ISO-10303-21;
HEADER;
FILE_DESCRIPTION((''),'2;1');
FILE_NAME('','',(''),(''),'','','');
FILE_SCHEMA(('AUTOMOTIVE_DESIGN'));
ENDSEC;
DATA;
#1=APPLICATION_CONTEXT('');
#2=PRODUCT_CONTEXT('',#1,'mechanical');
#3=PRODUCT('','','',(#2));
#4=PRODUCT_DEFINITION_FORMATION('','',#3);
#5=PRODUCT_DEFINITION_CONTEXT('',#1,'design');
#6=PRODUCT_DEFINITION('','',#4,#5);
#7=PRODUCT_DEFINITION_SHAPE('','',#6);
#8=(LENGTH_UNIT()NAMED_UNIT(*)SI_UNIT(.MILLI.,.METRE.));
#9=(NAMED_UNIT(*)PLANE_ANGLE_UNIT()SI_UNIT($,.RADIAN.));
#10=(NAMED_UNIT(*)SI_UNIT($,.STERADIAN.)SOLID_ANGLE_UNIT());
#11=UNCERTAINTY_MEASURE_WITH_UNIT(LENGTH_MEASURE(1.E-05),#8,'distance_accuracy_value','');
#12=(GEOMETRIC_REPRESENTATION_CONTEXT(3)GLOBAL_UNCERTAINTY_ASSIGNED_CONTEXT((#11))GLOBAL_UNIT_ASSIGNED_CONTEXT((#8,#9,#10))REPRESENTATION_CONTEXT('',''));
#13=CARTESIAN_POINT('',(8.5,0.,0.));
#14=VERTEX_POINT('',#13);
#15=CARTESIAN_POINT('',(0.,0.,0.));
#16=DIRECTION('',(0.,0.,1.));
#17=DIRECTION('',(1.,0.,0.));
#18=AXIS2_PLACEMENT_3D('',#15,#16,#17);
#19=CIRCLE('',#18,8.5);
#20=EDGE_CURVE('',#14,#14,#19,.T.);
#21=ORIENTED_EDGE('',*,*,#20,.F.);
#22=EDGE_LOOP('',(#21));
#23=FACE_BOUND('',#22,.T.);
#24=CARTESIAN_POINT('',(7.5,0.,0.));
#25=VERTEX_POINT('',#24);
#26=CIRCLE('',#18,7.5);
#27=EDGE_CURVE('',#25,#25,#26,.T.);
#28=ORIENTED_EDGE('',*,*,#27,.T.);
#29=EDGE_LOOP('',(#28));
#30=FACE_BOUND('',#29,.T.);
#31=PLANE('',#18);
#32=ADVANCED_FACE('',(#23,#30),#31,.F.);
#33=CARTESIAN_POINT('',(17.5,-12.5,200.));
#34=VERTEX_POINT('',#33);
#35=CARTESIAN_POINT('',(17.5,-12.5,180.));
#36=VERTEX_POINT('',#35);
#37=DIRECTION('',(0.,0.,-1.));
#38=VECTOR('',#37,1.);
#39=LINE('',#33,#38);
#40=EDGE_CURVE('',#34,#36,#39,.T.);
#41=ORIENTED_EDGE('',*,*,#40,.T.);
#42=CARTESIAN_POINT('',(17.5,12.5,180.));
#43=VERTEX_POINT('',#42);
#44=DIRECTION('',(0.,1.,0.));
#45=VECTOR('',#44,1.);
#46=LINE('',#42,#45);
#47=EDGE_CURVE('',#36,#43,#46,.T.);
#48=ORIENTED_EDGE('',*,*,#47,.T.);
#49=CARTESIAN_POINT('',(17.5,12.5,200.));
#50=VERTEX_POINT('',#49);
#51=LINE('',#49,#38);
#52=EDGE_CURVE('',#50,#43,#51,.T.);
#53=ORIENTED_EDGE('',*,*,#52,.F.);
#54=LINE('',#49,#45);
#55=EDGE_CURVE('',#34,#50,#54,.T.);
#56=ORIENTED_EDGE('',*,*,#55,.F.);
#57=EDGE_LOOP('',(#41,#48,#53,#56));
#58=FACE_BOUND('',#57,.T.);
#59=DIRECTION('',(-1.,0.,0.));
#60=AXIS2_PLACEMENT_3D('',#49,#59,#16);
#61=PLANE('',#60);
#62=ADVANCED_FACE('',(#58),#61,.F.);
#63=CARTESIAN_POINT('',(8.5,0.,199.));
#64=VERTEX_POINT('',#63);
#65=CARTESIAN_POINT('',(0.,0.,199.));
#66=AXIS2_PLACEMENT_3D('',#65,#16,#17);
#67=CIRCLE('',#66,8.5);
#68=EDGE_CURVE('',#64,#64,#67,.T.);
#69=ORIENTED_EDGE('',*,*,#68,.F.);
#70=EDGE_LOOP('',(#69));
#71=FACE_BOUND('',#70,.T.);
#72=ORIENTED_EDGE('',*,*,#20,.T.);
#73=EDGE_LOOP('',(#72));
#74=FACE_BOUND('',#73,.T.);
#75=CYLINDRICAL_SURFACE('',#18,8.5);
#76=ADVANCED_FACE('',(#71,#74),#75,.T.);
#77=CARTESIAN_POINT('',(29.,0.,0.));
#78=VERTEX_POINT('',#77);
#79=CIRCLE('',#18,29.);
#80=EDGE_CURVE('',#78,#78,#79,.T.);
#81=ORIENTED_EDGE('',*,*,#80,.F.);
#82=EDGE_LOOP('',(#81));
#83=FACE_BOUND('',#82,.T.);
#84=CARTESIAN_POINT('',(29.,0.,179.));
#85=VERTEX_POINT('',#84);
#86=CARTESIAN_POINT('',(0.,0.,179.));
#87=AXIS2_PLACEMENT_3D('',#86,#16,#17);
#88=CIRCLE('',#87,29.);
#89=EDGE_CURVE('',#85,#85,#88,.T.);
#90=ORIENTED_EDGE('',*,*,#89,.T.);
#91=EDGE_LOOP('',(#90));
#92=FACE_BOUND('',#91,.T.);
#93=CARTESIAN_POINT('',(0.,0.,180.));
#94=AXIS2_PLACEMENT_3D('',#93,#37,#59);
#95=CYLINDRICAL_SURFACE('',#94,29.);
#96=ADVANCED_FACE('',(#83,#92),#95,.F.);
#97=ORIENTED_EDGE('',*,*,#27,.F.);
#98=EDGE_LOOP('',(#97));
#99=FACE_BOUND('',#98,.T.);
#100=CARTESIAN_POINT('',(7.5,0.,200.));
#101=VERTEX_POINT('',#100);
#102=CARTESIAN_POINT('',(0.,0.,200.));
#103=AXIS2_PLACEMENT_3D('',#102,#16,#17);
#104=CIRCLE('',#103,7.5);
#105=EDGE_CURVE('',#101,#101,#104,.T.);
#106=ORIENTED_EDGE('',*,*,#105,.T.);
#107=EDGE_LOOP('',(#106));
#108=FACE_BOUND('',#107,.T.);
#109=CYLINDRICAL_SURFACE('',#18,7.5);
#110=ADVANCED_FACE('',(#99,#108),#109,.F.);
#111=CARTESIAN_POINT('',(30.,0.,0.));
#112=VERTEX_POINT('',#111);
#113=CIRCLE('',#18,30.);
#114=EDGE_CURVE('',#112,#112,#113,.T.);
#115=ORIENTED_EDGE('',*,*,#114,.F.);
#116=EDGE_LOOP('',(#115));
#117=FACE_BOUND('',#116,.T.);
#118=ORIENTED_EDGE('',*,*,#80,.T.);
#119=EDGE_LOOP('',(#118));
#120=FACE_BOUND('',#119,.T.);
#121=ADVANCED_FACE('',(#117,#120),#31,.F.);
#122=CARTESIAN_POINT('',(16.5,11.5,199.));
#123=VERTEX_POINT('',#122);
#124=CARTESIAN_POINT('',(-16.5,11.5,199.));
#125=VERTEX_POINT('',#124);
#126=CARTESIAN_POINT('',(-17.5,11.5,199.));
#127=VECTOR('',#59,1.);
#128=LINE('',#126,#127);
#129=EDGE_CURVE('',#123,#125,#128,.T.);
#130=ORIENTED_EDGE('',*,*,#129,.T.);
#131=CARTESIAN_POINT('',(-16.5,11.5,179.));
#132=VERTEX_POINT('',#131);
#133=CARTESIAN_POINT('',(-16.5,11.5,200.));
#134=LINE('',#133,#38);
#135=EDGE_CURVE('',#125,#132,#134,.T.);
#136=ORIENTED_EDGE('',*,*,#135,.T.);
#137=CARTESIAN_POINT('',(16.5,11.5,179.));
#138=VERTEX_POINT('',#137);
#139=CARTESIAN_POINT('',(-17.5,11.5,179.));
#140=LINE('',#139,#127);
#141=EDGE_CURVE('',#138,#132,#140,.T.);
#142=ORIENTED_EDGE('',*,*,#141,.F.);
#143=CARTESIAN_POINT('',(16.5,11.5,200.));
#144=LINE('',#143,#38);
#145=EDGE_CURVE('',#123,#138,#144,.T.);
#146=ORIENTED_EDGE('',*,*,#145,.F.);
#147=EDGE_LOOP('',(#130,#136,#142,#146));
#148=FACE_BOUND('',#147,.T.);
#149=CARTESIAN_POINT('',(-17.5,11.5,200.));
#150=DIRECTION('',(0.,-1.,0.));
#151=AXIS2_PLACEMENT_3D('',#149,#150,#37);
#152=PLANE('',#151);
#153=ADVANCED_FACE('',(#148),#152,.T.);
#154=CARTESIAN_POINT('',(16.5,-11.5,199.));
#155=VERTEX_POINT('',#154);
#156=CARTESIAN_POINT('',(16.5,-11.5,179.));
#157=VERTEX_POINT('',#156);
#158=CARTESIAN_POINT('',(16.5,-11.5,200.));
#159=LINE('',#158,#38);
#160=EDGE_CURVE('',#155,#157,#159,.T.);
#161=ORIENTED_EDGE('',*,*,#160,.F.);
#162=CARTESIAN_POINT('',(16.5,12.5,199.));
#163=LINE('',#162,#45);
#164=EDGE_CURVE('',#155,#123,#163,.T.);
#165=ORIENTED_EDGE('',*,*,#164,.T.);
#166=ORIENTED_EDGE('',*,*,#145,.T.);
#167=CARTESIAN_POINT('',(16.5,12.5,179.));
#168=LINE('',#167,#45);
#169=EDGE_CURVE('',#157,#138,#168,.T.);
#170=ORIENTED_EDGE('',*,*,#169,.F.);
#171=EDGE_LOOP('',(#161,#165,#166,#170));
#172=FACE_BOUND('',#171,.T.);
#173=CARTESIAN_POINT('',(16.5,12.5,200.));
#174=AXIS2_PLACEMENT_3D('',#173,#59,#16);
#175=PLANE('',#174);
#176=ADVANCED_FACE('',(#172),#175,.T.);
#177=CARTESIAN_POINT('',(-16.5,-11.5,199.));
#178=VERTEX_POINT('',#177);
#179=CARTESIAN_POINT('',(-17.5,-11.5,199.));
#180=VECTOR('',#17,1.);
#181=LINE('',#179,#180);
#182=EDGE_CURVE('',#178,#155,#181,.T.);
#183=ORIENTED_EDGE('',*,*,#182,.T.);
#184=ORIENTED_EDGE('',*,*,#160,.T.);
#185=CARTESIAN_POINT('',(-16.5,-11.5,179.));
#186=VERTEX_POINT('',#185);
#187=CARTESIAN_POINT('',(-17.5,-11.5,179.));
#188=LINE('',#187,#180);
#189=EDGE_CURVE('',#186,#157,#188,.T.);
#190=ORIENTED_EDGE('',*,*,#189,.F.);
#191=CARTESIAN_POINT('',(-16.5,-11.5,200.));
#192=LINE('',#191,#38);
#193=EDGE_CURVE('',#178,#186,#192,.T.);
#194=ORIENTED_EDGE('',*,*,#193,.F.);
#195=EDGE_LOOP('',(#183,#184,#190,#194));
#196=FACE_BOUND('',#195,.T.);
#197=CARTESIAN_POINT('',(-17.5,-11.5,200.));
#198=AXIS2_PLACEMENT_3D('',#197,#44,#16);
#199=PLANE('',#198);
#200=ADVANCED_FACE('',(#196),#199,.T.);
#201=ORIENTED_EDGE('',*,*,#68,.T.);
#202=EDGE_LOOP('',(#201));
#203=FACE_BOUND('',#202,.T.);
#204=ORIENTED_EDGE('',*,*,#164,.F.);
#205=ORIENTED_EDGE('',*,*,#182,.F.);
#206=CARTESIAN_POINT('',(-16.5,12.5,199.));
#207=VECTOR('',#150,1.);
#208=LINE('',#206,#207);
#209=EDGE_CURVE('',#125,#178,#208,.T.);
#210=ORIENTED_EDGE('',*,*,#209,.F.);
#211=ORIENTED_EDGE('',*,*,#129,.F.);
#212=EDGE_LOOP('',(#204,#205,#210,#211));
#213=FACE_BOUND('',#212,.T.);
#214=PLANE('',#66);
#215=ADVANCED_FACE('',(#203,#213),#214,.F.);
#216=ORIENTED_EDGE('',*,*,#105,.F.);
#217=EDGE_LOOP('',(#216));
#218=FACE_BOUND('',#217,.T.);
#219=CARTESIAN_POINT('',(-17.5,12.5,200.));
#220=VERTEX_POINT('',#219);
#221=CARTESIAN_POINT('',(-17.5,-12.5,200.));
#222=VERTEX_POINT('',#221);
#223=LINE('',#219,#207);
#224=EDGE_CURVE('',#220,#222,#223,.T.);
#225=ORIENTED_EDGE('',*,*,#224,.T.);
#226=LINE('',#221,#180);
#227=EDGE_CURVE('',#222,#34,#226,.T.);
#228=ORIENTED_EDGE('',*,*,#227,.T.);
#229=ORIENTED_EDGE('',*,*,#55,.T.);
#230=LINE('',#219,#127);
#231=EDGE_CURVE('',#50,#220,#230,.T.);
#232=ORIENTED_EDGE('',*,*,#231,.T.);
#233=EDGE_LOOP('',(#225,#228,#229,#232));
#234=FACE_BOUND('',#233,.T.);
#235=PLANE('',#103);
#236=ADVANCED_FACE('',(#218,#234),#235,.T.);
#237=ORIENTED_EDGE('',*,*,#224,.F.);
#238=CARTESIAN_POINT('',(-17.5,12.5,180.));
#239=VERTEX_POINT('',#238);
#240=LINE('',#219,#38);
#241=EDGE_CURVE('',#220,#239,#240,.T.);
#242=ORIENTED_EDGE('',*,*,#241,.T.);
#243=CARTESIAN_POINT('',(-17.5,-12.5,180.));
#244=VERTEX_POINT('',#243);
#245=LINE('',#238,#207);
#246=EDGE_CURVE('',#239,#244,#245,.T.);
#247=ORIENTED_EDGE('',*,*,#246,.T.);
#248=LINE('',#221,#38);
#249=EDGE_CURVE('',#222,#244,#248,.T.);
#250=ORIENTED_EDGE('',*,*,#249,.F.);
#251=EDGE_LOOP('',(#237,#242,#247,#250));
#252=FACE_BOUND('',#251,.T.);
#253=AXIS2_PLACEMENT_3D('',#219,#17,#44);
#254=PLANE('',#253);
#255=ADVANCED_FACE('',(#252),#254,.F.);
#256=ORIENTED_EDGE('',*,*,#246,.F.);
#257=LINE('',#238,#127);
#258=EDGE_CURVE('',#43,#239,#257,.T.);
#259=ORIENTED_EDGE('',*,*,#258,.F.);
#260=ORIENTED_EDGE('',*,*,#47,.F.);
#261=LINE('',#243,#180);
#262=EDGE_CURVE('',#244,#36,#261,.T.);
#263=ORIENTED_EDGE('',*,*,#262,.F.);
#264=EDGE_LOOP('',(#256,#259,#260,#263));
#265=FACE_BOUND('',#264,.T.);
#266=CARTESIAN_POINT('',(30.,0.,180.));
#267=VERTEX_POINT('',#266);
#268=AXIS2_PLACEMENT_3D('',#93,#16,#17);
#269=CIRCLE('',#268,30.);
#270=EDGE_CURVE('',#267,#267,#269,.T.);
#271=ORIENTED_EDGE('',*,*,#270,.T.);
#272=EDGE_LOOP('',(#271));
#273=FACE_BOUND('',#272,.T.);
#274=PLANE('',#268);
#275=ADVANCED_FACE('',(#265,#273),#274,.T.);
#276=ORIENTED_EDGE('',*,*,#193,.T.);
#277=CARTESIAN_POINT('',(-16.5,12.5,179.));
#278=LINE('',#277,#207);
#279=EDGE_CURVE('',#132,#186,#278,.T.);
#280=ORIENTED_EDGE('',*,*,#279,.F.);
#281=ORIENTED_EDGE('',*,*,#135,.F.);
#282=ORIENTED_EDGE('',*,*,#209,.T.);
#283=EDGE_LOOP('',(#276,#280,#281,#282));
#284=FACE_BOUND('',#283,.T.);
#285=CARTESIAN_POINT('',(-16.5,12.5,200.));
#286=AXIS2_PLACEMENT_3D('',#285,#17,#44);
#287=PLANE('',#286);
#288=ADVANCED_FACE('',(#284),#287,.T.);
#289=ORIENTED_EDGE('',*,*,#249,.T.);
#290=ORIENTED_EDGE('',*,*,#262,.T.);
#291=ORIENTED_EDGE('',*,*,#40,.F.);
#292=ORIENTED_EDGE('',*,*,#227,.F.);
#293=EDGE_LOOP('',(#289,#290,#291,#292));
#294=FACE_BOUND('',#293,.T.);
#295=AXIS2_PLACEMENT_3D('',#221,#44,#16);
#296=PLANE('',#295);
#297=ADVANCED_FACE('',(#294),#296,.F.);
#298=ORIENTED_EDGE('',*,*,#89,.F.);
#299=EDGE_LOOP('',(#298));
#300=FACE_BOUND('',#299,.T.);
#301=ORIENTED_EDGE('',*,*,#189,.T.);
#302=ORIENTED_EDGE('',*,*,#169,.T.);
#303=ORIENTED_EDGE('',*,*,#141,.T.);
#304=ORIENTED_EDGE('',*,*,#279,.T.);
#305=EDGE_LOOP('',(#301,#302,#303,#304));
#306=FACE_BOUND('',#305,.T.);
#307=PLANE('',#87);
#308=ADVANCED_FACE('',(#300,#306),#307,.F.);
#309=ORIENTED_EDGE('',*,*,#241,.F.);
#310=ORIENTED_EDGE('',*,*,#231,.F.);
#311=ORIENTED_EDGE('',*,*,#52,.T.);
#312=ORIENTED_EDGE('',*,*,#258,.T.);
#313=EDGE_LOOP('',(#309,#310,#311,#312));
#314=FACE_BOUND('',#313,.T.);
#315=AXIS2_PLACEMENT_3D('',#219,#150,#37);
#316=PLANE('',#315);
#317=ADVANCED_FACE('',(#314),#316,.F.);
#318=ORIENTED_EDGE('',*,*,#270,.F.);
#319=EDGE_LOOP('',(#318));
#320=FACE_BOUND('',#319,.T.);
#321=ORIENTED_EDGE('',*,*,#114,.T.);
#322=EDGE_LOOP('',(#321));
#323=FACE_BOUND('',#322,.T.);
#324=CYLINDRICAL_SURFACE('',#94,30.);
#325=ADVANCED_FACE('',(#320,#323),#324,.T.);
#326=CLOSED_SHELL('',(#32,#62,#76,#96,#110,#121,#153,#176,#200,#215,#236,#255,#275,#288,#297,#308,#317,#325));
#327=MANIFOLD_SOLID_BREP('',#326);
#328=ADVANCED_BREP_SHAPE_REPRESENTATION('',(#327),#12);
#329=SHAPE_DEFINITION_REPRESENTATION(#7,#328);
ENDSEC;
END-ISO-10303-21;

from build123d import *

# Parameters (mm, degrees)
SKETCH9_R            = 30
BOSS_EXTRUDE11_DEPTH = 180
SKETCH10_W           = 35
SKETCH10_H           = 25
BOSS_EXTRUDE12_DEPTH = 20
SKETCH11_R           = 7.5
CUT_EXTRUDE2_DEPTH   = 201
SHELL1_T             = -1


with BuildPart() as part:
    # Sketch9 → Boss-Extrude11 (new body)
    with BuildSketch(Plane.XY):
        Circle(SKETCH9_R)
    extrude(amount=BOSS_EXTRUDE11_DEPTH)

    # Sketch10 → Boss-Extrude12 (add)
    with BuildSketch(Plane.XY.offset(180)):
        Rectangle(SKETCH10_W, SKETCH10_H)
    extrude(amount=BOSS_EXTRUDE12_DEPTH)

    # Sketch11 → Cut-Extrude2 (cut, through all)
    with BuildSketch(Plane.XY.offset(200)):
        Circle(SKETCH11_R)
    extrude(amount=-CUT_EXTRUDE2_DEPTH, mode=Mode.SUBTRACT)

    # Shell1
    shell1_openings = [part.faces().sort_by_distance(p)[0] for p in [
        (7.5, 0, 0),
    ]]
    offset(amount=SHELL1_T, openings=shell1_openings, kind=Kind.INTERSECTION)


solid = part.part
